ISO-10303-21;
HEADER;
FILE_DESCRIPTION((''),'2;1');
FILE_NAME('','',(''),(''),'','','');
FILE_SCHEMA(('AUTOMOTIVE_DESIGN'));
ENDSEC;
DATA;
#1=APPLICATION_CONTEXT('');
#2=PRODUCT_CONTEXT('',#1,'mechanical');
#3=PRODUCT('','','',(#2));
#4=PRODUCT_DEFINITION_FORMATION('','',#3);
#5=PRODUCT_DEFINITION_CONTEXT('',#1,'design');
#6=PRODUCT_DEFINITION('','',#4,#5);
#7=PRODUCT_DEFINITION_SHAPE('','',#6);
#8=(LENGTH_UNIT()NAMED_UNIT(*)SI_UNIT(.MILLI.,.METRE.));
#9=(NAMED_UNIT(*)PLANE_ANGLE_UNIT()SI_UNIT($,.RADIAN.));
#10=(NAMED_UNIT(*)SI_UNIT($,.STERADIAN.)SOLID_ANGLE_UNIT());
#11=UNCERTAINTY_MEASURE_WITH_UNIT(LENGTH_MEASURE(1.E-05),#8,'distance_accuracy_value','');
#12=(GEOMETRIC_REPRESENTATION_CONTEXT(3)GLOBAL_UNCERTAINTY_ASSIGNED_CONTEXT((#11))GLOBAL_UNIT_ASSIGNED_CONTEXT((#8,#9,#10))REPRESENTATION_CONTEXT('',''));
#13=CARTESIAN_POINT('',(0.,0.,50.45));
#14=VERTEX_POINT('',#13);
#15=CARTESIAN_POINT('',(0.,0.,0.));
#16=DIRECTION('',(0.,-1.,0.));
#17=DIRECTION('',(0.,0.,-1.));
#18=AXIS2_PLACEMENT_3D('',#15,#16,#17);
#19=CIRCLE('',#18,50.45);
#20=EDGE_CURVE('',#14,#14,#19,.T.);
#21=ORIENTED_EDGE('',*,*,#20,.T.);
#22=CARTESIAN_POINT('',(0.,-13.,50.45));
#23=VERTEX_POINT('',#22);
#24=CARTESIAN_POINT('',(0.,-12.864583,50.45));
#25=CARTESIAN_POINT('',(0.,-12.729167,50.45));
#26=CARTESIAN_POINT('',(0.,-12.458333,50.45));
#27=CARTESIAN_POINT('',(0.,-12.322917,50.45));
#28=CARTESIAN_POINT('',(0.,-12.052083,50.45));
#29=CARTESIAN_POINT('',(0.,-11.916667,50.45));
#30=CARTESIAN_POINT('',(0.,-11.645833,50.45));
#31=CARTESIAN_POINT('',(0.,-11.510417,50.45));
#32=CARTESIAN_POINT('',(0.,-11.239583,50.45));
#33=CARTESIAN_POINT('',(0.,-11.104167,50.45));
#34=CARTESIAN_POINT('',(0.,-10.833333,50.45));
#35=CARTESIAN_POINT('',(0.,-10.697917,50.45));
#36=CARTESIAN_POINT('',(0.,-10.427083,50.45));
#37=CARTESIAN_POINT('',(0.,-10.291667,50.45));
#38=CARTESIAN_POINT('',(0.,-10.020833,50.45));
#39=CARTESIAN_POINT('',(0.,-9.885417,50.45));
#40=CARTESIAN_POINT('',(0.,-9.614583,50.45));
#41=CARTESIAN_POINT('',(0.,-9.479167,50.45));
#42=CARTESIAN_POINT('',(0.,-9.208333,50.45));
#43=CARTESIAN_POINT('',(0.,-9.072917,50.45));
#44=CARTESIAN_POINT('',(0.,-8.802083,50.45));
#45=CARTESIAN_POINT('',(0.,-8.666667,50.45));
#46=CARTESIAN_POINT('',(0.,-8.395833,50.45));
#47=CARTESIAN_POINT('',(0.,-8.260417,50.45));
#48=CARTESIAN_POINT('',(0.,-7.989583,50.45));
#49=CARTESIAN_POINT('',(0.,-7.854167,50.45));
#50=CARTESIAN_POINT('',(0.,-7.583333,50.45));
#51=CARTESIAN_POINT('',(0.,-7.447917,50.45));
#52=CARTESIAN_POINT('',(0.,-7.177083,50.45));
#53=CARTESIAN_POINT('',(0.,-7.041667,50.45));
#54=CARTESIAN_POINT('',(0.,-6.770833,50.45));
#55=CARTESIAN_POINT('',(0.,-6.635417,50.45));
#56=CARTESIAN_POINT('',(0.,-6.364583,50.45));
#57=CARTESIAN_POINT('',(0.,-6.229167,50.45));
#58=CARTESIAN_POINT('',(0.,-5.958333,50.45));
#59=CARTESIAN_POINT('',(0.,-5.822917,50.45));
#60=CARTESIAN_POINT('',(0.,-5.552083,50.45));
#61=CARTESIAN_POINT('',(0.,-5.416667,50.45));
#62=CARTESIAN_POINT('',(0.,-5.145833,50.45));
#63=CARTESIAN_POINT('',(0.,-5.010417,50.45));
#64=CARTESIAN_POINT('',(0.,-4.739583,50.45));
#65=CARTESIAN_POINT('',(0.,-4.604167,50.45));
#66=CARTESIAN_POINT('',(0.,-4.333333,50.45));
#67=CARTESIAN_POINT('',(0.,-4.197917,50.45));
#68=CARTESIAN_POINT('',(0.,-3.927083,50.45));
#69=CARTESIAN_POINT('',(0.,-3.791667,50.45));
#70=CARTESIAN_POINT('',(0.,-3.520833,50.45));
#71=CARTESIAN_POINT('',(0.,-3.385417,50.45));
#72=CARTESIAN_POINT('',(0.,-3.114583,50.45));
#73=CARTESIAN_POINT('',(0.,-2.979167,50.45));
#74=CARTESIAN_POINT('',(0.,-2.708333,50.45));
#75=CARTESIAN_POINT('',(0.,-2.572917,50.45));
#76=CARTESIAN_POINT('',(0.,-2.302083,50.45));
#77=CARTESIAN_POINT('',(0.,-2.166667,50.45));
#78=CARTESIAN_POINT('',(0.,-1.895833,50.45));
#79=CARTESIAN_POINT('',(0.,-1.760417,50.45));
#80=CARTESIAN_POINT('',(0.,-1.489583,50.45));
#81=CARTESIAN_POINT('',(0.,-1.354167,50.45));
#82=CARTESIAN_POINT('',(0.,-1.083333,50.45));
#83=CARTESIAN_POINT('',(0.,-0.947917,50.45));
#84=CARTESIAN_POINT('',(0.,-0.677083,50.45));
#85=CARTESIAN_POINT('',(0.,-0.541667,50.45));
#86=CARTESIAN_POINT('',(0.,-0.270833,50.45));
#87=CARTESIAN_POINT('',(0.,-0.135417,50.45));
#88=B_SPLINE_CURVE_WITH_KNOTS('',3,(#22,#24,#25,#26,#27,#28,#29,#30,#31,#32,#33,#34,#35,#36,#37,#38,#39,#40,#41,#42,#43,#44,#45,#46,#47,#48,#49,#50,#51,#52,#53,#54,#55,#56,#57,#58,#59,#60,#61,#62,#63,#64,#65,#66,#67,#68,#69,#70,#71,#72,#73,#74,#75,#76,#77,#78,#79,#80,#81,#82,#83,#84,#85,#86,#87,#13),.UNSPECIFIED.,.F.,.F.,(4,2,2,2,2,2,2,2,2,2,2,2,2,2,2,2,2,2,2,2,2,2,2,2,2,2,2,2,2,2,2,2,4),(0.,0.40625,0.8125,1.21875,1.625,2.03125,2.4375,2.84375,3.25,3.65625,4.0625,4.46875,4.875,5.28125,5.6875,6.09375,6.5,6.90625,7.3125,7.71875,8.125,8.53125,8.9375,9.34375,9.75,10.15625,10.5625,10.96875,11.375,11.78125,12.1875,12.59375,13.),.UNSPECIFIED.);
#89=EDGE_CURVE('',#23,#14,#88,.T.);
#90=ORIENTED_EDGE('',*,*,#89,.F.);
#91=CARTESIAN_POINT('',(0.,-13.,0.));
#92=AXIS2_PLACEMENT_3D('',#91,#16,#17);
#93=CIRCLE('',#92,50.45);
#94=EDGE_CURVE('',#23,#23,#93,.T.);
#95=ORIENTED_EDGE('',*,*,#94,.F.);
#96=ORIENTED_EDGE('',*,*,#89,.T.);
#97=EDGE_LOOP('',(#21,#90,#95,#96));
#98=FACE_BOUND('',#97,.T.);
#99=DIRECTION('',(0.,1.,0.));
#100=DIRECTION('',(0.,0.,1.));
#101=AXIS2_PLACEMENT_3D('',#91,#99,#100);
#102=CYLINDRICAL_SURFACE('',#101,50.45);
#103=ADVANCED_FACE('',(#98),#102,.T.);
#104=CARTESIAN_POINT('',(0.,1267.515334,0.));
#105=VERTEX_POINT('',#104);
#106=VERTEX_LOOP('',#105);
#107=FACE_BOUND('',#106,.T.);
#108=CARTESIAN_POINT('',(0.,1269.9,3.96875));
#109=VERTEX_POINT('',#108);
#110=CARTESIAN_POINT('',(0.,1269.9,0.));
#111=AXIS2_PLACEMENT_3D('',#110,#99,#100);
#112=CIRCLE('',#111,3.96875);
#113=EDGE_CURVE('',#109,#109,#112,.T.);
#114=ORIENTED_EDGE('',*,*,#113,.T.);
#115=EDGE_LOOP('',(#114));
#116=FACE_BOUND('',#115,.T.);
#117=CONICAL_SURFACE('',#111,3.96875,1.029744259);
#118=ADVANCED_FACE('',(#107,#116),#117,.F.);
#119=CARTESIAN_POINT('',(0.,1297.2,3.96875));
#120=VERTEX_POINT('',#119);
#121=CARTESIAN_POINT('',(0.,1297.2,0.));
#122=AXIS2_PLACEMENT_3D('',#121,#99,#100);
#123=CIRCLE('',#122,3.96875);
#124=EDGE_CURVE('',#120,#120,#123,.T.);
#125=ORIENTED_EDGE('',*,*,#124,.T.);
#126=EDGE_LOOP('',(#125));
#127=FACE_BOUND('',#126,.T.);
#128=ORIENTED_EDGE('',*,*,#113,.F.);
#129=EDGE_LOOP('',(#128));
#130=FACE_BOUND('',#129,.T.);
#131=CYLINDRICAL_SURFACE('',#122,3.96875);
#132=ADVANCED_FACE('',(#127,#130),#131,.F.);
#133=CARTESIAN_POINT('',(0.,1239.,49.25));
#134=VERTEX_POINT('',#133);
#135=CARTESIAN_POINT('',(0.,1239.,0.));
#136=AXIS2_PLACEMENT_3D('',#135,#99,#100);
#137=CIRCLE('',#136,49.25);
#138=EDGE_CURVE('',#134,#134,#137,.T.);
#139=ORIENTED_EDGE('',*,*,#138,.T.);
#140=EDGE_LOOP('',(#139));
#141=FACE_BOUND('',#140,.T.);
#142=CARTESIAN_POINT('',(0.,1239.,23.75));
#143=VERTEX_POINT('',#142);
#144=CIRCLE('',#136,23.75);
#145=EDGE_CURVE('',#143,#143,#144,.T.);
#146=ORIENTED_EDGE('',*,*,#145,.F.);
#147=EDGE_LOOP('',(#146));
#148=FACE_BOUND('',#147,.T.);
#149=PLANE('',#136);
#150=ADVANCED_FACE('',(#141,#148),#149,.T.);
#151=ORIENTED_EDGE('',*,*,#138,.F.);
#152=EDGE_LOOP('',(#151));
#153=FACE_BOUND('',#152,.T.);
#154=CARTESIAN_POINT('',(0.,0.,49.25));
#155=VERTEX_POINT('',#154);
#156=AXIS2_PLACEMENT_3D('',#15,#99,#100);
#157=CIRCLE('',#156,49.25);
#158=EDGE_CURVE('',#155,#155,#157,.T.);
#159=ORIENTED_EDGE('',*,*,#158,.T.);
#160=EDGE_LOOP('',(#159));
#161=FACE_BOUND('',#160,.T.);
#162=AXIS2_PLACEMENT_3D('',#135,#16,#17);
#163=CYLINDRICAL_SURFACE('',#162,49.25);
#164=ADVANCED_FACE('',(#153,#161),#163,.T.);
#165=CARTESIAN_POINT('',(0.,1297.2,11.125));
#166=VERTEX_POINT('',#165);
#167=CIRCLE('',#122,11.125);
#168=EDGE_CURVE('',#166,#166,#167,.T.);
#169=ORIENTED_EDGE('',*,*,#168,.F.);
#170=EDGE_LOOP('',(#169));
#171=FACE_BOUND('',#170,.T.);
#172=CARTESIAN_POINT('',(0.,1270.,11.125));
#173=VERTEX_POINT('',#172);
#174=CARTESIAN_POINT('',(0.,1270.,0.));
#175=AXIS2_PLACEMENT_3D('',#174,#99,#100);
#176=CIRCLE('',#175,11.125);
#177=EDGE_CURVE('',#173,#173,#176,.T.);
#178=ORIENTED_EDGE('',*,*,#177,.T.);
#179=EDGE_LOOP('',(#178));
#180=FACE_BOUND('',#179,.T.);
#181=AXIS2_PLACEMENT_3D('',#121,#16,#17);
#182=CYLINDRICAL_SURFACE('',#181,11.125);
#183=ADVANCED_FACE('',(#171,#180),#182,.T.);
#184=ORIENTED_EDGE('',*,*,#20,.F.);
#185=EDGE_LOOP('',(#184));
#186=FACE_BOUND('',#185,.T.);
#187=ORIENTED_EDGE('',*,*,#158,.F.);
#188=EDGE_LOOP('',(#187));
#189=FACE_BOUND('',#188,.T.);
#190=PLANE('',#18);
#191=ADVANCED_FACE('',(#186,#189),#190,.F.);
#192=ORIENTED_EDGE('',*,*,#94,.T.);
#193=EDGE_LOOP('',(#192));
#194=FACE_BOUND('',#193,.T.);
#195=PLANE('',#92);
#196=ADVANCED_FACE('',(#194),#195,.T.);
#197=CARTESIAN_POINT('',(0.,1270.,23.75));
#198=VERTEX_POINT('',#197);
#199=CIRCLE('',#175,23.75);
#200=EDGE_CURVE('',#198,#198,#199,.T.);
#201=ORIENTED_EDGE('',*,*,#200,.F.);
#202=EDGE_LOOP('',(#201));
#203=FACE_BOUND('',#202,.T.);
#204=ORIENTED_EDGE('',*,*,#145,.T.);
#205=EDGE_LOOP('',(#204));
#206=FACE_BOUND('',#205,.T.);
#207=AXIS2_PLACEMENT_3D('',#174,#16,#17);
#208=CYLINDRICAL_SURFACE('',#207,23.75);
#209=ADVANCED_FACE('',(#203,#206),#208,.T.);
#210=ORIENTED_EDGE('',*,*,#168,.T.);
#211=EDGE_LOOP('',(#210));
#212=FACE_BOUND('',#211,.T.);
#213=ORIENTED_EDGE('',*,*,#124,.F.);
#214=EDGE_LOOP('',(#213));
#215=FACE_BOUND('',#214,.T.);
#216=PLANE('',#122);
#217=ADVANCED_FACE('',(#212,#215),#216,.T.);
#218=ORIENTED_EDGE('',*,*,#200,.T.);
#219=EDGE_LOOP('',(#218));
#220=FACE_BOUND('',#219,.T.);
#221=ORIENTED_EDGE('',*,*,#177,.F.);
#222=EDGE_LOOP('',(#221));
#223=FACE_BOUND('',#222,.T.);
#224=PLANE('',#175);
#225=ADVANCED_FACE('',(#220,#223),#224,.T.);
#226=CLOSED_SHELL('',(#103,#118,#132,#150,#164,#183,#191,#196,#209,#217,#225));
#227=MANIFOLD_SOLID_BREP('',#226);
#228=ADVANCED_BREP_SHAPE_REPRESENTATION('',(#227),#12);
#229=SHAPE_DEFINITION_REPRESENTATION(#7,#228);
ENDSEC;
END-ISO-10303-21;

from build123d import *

# Parameters (mm, degrees)
SKETCH1_R                   = 49.25
MAINTUBE_DEPTH              = 1239
SKETCH2_R                   = 50.45
NOZZLERETAINER_DEPTH        = 13
SKETCH3_R                   = 23.75
MOUNTSHOULDER_DEPTH         = 31
SKETCH4_R                   = 11.125
MOUNTNECK_DEPTH             = 27.2
F_3_8_16_TAPPED_HOLE1_D     = 7.9375
F_3_8_16_TAPPED_HOLE1_DEPTH = 27.3
F_3_8_16_TAPPED_HOLE1_TIP   = 2.384665582


with BuildPart() as part:
    # Sketch1 → mainTube (new body)
    with BuildSketch(Plane(origin=(0, 0, 0), x_dir=(1, 0, 0), z_dir=(0, 1, 0))):
        with Locations(Location((0, 0, 0), (0, 0, 270))):
            Circle(SKETCH1_R)
    extrude(amount=MAINTUBE_DEPTH)

    # Sketch2 → nozzleRetainer (add)
    with BuildSketch(Plane.XZ):
        with Locations(Location((0, 0, 0), (0, 0, 90))):
            Circle(SKETCH2_R)
    extrude(amount=NOZZLERETAINER_DEPTH)

    # Sketch3 → mountShoulder (add)
    with BuildSketch(Plane(origin=(0, 1239, 0), x_dir=(1, 0, 0), z_dir=(0, 1, 0))):
        with Locations(Location((0, 0, 0), (0, 0, 270))):
            Circle(SKETCH3_R)
    extrude(amount=MOUNTSHOULDER_DEPTH)

    # Sketch4 → mountNeck (add)
    with BuildSketch(Plane(origin=(0, 1270, 0), x_dir=(1, 0, 0), z_dir=(0, 1, 0))):
        with Locations(Location((0, 0, 0), (0, 0, 270))):
            Circle(SKETCH4_R)
    extrude(amount=MOUNTNECK_DEPTH)

    # 3/8-16 Tapped Hole1
    with Locations(Plane(origin=(0, 1297.2, 0), x_dir=(1, 0, 0), z_dir=(0, 1, 0))):
        with Locations((0, 0)):
            Hole(F_3_8_16_TAPPED_HOLE1_D / 2, depth=F_3_8_16_TAPPED_HOLE1_DEPTH)
            with Locations((0, 0, -(F_3_8_16_TAPPED_HOLE1_DEPTH + F_3_8_16_TAPPED_HOLE1_TIP / 2))):  # 118° drill point
                Cone(0, F_3_8_16_TAPPED_HOLE1_D / 2, F_3_8_16_TAPPED_HOLE1_TIP, mode=Mode.SUBTRACT)


solid = part.part
